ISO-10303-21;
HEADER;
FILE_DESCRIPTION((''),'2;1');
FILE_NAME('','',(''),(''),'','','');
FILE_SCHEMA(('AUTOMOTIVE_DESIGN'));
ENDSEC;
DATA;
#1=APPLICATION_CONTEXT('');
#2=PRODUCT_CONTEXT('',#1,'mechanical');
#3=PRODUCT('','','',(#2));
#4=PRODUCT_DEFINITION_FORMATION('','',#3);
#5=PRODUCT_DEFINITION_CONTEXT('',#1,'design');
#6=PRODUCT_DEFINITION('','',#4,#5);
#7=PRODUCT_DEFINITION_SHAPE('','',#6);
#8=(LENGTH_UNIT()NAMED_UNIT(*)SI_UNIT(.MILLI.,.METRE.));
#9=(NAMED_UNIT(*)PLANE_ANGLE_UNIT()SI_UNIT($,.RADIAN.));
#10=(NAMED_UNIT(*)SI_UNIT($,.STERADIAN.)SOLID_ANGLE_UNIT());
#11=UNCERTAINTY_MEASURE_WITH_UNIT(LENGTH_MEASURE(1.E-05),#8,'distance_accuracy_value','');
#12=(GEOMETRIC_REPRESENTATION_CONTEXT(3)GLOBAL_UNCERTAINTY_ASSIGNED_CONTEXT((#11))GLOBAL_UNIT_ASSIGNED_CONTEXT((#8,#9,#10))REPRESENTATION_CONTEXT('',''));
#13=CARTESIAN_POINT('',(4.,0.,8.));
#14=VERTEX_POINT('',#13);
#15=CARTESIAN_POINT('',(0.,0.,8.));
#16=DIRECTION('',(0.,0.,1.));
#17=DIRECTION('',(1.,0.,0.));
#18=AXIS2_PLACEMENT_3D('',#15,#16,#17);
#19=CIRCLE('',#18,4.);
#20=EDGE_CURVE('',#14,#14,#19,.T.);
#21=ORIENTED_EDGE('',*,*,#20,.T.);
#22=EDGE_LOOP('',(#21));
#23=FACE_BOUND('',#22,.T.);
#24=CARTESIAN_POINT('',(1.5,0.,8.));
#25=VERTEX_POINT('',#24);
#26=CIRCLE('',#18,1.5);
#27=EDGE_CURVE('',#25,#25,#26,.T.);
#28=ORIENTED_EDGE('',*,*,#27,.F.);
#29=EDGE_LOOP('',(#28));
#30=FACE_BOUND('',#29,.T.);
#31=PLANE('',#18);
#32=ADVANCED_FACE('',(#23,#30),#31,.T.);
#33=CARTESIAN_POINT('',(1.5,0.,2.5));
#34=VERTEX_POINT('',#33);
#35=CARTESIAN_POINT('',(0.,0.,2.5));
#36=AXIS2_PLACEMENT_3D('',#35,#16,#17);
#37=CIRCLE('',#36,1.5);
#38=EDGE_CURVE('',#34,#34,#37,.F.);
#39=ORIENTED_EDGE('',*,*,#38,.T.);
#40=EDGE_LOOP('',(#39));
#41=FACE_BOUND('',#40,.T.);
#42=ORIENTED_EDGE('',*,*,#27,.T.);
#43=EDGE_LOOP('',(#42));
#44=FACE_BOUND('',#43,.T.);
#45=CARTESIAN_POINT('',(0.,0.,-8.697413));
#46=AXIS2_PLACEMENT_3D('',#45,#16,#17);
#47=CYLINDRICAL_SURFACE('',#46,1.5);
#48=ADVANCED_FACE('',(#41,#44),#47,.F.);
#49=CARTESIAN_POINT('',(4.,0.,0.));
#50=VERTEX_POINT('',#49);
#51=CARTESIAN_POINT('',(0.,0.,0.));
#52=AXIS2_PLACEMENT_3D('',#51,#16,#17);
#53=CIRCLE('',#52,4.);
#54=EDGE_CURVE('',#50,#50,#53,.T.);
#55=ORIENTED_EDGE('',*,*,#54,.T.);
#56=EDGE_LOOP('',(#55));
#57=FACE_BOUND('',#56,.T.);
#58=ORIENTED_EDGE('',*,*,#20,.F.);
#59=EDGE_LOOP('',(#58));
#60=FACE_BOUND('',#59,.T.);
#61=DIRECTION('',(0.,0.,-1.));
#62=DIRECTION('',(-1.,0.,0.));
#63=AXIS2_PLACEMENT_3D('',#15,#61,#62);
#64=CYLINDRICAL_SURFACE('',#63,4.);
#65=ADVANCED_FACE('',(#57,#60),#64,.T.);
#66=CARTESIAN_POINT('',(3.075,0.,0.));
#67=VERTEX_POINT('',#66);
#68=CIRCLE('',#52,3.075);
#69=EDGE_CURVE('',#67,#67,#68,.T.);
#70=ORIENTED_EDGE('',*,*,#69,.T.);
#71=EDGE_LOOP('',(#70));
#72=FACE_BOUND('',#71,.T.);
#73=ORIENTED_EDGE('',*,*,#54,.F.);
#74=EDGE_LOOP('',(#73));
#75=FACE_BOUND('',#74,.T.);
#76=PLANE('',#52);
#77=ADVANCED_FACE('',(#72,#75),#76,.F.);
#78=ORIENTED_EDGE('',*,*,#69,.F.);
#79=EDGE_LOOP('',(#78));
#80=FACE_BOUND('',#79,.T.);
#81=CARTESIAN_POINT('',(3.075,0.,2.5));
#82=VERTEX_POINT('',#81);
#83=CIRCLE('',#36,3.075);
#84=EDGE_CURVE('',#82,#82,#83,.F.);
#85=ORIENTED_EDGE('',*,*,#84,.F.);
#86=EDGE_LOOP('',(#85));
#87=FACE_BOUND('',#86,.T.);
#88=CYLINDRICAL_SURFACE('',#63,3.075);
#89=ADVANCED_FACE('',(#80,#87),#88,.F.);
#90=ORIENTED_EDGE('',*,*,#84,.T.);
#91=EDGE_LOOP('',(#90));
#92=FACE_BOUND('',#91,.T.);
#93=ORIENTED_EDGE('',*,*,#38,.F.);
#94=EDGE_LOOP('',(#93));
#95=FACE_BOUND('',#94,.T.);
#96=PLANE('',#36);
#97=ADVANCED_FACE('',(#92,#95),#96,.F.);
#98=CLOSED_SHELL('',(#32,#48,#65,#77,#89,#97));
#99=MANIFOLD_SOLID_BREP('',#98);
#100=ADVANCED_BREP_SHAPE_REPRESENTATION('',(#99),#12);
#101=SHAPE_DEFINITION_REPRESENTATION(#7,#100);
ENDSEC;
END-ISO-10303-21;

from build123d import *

# Parameters (mm, degrees)
SKETCH1_R           = 4
SKETCH1_R_2         = 3.075
BOSS_EXTRUDE1_DEPTH = 8
BOSS_EXTRUDE2_START = -5.5
SKETCH2_R           = 3.075
SKETCH2_R_2         = 1.5
BOSS_EXTRUDE2_DEPTH = 5.5


with BuildPart() as part:
    # Sketch1 → Boss-Extrude1 (new body)
    with BuildSketch(Plane.XY):
        Circle(SKETCH1_R)
        Circle(SKETCH1_R_2, mode=Mode.SUBTRACT)
    extrude(amount=BOSS_EXTRUDE1_DEPTH)

    # Sketch2 → Boss-Extrude2 (add)
    with BuildSketch(Plane.XY.offset(8).offset(BOSS_EXTRUDE2_START)):
        Circle(SKETCH2_R)
        Circle(SKETCH2_R_2, mode=Mode.SUBTRACT)
    extrude(amount=BOSS_EXTRUDE2_DEPTH)


solid = part.part
